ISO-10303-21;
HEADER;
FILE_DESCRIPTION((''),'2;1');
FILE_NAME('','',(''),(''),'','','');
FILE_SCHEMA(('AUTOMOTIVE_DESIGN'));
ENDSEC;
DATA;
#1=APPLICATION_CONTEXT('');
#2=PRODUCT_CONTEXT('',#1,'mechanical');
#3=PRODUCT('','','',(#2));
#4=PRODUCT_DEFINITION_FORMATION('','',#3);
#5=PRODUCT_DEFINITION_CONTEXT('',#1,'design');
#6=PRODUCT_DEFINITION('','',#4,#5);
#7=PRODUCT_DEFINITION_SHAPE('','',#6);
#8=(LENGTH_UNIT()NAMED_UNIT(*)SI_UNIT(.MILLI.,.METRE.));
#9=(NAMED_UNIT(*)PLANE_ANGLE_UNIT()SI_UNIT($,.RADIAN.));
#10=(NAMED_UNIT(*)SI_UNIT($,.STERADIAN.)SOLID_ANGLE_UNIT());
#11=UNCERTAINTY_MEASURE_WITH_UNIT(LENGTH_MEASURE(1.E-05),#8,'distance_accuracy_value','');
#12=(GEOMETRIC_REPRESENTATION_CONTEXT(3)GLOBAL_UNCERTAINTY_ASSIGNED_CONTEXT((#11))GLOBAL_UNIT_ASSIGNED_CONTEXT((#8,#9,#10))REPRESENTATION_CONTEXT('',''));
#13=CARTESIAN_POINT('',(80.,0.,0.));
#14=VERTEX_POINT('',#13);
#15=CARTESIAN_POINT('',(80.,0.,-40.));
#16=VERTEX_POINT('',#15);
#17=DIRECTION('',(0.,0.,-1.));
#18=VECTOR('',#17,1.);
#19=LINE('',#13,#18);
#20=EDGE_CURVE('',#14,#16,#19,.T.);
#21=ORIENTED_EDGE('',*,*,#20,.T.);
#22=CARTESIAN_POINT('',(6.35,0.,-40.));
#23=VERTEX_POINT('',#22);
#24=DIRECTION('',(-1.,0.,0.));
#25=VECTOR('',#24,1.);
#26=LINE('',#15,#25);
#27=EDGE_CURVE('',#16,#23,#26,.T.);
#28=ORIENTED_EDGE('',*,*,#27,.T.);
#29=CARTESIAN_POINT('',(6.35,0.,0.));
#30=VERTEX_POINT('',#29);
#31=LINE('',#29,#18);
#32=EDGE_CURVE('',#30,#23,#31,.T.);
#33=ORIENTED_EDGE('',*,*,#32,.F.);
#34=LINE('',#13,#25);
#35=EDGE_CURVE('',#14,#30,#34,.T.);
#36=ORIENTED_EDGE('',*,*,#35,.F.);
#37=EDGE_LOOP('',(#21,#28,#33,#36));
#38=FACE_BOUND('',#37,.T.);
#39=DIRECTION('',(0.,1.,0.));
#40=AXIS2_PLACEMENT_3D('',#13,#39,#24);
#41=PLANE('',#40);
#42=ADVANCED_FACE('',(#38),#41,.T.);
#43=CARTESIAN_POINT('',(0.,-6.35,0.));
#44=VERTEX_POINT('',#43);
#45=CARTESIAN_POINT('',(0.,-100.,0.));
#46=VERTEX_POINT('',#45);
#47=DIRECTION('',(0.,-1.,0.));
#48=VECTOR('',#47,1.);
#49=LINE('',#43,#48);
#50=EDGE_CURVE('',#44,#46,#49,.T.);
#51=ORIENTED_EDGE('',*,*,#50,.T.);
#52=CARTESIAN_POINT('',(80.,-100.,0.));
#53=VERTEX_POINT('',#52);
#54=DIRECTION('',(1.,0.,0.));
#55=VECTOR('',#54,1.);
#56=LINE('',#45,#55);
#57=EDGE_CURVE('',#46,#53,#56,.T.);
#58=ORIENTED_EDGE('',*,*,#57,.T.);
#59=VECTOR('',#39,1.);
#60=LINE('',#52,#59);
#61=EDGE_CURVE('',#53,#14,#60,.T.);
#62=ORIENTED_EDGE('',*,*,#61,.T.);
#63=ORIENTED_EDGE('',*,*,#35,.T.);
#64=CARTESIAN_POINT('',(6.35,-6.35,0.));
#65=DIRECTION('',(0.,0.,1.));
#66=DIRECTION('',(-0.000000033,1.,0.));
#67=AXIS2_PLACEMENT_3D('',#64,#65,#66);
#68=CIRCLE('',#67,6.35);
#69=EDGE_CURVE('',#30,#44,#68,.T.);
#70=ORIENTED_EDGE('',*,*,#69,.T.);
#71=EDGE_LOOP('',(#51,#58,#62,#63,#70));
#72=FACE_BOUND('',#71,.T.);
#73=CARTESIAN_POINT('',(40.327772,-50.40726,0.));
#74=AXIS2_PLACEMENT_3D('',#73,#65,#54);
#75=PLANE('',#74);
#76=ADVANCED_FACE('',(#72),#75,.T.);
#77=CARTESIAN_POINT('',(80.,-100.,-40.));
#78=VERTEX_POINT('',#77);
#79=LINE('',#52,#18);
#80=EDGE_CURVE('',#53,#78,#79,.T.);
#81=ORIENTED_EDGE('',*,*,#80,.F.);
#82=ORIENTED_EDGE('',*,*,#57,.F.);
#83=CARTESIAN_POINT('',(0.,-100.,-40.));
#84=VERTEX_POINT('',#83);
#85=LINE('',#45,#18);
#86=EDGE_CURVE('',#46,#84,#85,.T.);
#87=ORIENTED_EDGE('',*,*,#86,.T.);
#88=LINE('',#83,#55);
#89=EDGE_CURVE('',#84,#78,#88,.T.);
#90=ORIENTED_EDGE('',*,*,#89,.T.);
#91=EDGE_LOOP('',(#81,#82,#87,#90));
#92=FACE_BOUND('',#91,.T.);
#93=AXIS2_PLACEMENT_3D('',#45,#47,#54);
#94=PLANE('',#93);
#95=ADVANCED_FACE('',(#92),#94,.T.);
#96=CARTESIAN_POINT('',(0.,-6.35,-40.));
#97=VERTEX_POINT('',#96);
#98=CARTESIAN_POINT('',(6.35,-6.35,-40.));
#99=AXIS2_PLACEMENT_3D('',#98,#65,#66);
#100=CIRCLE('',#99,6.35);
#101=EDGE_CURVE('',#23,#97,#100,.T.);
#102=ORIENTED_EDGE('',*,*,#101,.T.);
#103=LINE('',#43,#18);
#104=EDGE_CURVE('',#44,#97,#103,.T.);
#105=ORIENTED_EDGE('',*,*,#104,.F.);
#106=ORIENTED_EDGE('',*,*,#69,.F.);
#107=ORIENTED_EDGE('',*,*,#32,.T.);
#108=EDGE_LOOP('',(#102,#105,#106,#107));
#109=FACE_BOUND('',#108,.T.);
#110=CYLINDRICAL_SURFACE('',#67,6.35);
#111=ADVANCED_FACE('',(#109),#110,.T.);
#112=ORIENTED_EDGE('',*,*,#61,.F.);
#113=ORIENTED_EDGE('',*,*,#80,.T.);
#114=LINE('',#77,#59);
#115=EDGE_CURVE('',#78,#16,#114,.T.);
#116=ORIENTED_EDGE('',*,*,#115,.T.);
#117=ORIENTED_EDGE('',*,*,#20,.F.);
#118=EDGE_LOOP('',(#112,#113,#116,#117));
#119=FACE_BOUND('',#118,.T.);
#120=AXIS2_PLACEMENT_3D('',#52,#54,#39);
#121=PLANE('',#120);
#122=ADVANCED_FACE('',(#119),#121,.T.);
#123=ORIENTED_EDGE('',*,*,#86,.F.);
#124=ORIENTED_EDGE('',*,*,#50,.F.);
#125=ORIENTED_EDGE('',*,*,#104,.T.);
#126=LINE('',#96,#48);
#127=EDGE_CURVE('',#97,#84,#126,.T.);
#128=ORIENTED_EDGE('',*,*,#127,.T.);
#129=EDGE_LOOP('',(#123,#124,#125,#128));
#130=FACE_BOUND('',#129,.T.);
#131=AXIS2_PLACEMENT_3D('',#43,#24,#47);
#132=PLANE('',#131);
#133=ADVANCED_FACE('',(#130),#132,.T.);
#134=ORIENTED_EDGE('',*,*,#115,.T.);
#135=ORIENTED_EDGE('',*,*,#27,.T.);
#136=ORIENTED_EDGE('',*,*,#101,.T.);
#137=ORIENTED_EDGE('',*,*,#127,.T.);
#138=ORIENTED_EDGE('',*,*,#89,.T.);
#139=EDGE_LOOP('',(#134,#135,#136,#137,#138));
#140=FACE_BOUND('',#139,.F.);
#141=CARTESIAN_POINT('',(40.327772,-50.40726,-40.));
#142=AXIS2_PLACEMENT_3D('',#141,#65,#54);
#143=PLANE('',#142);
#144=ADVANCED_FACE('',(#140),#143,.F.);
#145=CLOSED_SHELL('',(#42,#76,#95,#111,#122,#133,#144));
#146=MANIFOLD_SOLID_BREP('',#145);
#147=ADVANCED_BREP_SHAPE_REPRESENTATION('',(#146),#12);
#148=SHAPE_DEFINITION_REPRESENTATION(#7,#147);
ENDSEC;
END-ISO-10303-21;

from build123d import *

# Parameters (mm, degrees)
F1_DEPTH = 40


with BuildPart() as f1:
    # F0 (on Top) → F1 (new body)
    with BuildSketch(Plane.XY):
        with BuildLine():
            Line((80, 0), (6.35, 0))
            ThreePointArc((6.35, 0), (1.859872, -1.859872), (0, -6.35))
            Line((0, -6.35), (0, -100))
            Line((0, -100), (80, -100))
            Line((80, -100), (80, 0))
        make_face()
    extrude(amount=-F1_DEPTH)


solid = f1.part
